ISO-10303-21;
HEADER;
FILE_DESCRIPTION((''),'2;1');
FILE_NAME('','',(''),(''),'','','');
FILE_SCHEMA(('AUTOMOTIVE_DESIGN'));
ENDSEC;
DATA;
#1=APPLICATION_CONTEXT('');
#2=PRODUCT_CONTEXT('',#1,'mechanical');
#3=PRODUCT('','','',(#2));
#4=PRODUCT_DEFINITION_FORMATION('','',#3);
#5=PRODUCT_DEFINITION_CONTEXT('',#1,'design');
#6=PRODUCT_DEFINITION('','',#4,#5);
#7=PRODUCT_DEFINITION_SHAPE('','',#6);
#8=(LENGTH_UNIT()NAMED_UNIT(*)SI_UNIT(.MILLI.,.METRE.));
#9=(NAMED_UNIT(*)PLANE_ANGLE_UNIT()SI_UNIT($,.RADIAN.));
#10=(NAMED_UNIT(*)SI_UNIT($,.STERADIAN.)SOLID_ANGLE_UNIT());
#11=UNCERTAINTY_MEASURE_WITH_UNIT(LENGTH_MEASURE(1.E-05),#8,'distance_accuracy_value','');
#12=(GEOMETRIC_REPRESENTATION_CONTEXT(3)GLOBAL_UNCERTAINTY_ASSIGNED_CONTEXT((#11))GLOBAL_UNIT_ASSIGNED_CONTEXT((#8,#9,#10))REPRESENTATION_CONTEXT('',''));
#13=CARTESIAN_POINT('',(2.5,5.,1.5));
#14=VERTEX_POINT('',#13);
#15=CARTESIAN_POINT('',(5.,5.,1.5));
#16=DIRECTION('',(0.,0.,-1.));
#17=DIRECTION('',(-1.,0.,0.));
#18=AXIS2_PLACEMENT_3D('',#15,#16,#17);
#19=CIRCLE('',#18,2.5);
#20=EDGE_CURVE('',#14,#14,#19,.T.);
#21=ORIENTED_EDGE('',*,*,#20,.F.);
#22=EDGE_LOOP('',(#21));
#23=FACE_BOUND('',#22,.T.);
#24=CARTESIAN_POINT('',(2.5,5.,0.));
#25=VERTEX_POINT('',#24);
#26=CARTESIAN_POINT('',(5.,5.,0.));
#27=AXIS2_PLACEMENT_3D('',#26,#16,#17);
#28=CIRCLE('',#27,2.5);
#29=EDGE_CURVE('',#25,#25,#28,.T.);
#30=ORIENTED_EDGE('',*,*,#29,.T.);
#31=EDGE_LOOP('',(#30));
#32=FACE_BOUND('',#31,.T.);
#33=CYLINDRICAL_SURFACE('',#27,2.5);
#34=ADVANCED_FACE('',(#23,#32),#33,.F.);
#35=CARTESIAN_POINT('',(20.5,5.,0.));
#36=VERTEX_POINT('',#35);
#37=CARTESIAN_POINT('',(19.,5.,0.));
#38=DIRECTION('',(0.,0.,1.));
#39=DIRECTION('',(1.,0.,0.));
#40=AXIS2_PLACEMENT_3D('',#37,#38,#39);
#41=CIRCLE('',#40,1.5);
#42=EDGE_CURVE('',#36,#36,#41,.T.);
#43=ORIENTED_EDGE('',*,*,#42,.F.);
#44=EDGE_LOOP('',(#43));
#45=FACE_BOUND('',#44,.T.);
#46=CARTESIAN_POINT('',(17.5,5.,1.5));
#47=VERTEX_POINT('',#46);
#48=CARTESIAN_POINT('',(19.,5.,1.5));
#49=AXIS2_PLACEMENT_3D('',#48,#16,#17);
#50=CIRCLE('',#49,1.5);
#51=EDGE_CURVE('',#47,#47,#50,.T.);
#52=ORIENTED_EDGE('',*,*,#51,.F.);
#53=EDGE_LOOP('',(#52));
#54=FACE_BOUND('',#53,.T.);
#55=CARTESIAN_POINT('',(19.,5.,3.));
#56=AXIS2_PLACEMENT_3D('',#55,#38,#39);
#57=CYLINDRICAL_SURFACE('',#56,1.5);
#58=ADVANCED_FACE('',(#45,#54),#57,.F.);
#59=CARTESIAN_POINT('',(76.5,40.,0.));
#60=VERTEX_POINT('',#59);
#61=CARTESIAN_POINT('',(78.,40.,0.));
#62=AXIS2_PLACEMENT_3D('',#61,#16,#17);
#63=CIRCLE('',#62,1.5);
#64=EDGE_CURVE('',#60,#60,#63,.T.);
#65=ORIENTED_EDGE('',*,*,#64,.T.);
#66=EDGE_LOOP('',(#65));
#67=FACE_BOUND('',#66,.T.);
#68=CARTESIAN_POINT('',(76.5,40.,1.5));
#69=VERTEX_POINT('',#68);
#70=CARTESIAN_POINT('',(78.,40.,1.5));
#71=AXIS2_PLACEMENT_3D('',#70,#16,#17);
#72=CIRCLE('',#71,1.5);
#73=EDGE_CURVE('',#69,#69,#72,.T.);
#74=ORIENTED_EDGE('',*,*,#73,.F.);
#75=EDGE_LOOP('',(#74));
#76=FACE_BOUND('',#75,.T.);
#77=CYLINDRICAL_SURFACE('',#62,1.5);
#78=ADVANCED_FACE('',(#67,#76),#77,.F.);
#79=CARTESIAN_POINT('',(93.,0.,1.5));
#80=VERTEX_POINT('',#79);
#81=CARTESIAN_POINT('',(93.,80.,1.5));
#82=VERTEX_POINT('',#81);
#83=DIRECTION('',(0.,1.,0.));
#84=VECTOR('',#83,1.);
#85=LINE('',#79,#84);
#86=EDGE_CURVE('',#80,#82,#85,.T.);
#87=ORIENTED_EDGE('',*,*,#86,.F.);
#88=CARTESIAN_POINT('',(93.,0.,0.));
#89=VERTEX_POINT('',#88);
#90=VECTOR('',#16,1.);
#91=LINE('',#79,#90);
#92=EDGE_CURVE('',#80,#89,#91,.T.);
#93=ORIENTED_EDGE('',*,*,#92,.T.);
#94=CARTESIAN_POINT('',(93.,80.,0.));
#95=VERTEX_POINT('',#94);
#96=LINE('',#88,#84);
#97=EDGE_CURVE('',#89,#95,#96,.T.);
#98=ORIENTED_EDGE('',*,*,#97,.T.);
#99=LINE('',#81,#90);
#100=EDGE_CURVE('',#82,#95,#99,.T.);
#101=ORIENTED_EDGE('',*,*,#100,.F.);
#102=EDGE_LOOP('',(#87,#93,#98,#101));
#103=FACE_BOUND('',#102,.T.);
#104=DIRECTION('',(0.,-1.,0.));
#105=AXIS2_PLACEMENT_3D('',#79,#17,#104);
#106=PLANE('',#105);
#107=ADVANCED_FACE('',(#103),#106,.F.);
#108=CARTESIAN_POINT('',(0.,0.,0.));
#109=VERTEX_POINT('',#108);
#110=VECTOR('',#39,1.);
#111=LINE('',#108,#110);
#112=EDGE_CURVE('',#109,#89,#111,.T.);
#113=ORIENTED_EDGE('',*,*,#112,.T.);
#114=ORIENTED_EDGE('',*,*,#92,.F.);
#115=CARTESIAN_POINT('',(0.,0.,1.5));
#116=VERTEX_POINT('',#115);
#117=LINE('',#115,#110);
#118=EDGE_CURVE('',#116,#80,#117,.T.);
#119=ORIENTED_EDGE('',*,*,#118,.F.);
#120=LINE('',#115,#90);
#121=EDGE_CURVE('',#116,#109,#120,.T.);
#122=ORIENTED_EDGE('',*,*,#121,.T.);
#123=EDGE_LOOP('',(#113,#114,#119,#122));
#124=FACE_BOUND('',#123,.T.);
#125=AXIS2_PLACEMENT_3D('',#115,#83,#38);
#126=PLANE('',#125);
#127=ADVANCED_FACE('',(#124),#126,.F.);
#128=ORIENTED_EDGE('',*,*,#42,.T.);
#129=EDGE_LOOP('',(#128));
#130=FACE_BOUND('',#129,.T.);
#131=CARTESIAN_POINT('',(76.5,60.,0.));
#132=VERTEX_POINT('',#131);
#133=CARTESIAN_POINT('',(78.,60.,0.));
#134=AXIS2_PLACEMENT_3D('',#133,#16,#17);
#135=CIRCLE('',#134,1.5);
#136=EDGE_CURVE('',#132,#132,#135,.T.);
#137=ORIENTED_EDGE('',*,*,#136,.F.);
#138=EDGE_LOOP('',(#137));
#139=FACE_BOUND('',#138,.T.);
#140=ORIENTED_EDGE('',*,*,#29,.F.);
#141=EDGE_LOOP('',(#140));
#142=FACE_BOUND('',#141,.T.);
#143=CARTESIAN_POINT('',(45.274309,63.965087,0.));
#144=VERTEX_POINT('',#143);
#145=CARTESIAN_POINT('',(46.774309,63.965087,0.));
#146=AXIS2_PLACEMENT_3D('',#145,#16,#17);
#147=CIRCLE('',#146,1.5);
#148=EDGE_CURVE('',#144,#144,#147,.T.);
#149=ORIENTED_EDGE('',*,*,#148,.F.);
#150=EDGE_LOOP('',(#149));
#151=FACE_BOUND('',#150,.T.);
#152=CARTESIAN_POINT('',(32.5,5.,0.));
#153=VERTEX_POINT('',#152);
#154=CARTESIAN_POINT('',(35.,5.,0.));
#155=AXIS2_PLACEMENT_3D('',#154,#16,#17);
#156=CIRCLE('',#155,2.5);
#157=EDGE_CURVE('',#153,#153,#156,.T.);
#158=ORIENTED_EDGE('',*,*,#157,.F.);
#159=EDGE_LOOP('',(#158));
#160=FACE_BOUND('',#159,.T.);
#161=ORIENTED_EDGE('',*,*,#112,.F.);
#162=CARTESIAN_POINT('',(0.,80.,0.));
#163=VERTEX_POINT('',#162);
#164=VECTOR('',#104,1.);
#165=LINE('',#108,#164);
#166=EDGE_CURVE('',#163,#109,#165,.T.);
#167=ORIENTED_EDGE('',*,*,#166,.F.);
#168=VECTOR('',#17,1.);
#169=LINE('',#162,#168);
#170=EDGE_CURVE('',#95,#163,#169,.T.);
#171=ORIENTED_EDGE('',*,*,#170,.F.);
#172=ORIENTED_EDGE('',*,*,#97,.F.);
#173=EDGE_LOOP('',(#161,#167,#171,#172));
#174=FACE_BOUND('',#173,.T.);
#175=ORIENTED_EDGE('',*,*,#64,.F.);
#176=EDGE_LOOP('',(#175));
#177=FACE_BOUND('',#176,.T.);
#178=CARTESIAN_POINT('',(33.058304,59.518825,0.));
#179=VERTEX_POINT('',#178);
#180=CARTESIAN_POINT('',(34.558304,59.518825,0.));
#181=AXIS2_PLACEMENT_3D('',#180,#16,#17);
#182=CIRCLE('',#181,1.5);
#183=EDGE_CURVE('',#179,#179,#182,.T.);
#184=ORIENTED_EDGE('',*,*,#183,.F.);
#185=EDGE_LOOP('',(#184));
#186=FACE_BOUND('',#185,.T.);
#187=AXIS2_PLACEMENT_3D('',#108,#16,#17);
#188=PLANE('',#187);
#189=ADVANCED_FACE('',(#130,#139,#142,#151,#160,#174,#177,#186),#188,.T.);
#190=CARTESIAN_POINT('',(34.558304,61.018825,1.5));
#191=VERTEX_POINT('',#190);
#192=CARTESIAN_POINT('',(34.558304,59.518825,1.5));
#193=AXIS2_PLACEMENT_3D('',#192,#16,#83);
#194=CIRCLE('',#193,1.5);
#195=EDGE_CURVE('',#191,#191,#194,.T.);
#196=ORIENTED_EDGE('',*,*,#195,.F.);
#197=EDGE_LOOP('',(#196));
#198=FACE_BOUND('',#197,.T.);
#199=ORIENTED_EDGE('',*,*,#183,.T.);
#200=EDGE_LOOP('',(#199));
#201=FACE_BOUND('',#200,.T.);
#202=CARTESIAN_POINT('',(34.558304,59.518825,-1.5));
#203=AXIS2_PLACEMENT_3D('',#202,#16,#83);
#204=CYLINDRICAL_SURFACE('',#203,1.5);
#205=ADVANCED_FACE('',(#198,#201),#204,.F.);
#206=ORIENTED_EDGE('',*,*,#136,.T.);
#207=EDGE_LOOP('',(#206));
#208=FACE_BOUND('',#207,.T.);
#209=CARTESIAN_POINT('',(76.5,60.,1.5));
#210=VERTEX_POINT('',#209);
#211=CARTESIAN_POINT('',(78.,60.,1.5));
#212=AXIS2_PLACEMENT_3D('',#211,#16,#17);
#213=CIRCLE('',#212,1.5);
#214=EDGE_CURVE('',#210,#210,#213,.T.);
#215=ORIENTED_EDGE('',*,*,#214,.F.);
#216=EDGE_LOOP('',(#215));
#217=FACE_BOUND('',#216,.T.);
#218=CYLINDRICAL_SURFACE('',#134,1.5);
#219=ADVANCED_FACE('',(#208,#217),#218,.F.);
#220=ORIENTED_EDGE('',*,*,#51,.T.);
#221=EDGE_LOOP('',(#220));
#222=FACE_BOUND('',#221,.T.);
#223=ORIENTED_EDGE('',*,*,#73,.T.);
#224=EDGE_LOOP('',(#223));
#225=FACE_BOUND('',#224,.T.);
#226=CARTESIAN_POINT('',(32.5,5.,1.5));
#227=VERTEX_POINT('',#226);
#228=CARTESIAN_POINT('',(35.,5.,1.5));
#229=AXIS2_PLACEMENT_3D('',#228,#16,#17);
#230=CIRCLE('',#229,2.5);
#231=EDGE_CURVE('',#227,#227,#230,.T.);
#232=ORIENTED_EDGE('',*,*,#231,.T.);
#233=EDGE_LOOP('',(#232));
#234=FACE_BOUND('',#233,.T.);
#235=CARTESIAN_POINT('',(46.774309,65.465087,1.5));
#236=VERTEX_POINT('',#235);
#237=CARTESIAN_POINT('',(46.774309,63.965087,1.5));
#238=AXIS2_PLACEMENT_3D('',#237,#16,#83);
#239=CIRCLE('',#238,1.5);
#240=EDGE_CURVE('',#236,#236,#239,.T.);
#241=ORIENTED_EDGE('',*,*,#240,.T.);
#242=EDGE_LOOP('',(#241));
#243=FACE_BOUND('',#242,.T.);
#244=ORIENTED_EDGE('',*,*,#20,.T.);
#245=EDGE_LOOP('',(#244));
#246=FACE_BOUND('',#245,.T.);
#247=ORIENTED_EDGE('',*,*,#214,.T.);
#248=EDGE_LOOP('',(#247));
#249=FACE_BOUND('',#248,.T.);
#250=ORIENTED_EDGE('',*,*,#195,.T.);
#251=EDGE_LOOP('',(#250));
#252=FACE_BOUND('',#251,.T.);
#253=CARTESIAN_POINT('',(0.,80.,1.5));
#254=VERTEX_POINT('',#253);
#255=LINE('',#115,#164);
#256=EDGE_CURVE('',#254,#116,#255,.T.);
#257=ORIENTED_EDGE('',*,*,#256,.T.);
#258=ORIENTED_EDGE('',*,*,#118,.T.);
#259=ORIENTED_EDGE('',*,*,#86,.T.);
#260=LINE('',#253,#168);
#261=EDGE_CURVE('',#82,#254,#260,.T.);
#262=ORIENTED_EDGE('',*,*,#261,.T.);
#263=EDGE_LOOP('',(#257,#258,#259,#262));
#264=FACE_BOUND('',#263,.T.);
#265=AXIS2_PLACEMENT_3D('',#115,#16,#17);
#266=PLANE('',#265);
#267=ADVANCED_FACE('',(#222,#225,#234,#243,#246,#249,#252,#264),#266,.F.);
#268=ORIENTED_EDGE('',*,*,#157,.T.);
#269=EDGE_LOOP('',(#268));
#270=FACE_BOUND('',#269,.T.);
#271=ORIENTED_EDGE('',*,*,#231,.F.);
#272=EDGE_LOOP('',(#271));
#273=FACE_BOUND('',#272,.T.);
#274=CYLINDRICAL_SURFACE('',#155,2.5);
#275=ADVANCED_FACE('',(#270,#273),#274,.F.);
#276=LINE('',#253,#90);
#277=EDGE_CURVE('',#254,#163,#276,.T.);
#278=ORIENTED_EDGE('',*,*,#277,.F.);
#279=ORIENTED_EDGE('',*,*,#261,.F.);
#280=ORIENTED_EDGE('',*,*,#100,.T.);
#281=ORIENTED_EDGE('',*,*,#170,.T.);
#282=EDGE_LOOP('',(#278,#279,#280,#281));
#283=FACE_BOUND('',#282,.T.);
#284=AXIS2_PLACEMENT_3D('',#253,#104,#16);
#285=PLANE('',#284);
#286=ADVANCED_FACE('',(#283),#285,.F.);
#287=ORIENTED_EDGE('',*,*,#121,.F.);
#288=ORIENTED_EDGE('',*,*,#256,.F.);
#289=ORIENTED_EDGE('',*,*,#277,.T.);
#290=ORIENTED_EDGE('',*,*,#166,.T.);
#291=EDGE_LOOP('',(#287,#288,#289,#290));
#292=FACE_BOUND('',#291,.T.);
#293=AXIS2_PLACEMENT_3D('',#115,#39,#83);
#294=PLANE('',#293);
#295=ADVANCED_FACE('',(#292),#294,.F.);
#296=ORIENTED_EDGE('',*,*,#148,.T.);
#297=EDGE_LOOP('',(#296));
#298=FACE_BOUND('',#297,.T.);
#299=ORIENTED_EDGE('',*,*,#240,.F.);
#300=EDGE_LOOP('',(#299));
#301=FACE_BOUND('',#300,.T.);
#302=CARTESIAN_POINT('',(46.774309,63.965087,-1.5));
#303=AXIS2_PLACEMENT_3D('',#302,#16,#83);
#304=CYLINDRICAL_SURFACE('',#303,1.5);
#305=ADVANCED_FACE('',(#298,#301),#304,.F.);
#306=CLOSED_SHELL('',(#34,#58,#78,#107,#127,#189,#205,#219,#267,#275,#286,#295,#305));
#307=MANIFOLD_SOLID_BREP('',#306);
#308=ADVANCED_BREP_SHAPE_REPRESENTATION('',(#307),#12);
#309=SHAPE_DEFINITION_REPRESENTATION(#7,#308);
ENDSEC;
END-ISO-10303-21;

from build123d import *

# Parameters (mm, degrees)
SKETCH1_W                       = 93
SKETCH1_H                       = 80
BOSS_EXTRUDE1_DEPTH             = 1.5
F_5_0MM_PRESS_DOWEL_HOLE1_D     = 5
F_5_0MM_PRESS_DOWEL_HOLE1_DEPTH = 6
F_5_0MM_PRESS_DOWEL_HOLE1_TIP   = 1.502151548
F_3_0MM_DOWEL_HOLE1_D           = 3
F_3_0MM_DOWEL_HOLE2_D           = 3
F_3_0MM_DOWEL_HOLE2_DEPTH       = 2.999
F_3_0MM_DOWEL_HOLE2_TIP         = 0.901290929
F_3_0MM_DOWEL_HOLE3_D           = 3


with BuildPart() as part:
    # Sketch1 → Boss-Extrude1 (new body)
    with BuildSketch(Plane.XY):
        with Locations((46.5, 40)):
            Rectangle(SKETCH1_W, SKETCH1_H)
    extrude(amount=BOSS_EXTRUDE1_DEPTH)

    # Ø5.0mm Press Dowel Hole1
    with Locations(Plane(origin=(19.881275608, -7.745569698, 0), x_dir=(-1, 0, 0), z_dir=(0, 0, -1))):
        with Locations((-15.118724392, 12.745569698), (14.881275608, 12.745569698)):
            Hole(F_5_0MM_PRESS_DOWEL_HOLE1_D / 2, depth=F_5_0MM_PRESS_DOWEL_HOLE1_DEPTH)
            with Locations((0, 0, -(F_5_0MM_PRESS_DOWEL_HOLE1_DEPTH + F_5_0MM_PRESS_DOWEL_HOLE1_TIP / 2))):  # 118° drill point
                Cone(0, F_5_0MM_PRESS_DOWEL_HOLE1_D / 2, F_5_0MM_PRESS_DOWEL_HOLE1_TIP, mode=Mode.SUBTRACT)

    # Ø3.0mm Dowel Hole1 (through all)
    with Locations(Plane(origin=(19.881275608, -7.745569698, -1.5), x_dir=(-1, 0, 0), z_dir=(0, 0, -1))):
        with Locations((-26.893032931, 71.71065686), (-14.67702886, 67.264394997)):
            Hole(F_3_0MM_DOWEL_HOLE1_D / 2)

    # Ø3.0mm Dowel Hole2
    with Locations(Plane(origin=(19.881275608, -7.745569698, 0), x_dir=(-1, 0, 0), z_dir=(0, 0, -1))):
        with Locations((-58.118724392, 67.745569698), (-58.118724392, 47.745569698)):
            Hole(F_3_0MM_DOWEL_HOLE2_D / 2, depth=F_3_0MM_DOWEL_HOLE2_DEPTH)
            with Locations((0, 0, -(F_3_0MM_DOWEL_HOLE2_DEPTH + F_3_0MM_DOWEL_HOLE2_TIP / 2))):  # 118° drill point
                Cone(0, F_3_0MM_DOWEL_HOLE2_D / 2, F_3_0MM_DOWEL_HOLE2_TIP, mode=Mode.SUBTRACT)

    # Ø3.0mm Dowel Hole3 (through all)
    with Locations(Plane(origin=(19.881275608, -7.745569698, 3), x_dir=(1, 0, 0), z_dir=(0, 0, 1))):
        with Locations((-0.881275608, 12.745569698)):
            Hole(F_3_0MM_DOWEL_HOLE3_D / 2)


solid = part.part
